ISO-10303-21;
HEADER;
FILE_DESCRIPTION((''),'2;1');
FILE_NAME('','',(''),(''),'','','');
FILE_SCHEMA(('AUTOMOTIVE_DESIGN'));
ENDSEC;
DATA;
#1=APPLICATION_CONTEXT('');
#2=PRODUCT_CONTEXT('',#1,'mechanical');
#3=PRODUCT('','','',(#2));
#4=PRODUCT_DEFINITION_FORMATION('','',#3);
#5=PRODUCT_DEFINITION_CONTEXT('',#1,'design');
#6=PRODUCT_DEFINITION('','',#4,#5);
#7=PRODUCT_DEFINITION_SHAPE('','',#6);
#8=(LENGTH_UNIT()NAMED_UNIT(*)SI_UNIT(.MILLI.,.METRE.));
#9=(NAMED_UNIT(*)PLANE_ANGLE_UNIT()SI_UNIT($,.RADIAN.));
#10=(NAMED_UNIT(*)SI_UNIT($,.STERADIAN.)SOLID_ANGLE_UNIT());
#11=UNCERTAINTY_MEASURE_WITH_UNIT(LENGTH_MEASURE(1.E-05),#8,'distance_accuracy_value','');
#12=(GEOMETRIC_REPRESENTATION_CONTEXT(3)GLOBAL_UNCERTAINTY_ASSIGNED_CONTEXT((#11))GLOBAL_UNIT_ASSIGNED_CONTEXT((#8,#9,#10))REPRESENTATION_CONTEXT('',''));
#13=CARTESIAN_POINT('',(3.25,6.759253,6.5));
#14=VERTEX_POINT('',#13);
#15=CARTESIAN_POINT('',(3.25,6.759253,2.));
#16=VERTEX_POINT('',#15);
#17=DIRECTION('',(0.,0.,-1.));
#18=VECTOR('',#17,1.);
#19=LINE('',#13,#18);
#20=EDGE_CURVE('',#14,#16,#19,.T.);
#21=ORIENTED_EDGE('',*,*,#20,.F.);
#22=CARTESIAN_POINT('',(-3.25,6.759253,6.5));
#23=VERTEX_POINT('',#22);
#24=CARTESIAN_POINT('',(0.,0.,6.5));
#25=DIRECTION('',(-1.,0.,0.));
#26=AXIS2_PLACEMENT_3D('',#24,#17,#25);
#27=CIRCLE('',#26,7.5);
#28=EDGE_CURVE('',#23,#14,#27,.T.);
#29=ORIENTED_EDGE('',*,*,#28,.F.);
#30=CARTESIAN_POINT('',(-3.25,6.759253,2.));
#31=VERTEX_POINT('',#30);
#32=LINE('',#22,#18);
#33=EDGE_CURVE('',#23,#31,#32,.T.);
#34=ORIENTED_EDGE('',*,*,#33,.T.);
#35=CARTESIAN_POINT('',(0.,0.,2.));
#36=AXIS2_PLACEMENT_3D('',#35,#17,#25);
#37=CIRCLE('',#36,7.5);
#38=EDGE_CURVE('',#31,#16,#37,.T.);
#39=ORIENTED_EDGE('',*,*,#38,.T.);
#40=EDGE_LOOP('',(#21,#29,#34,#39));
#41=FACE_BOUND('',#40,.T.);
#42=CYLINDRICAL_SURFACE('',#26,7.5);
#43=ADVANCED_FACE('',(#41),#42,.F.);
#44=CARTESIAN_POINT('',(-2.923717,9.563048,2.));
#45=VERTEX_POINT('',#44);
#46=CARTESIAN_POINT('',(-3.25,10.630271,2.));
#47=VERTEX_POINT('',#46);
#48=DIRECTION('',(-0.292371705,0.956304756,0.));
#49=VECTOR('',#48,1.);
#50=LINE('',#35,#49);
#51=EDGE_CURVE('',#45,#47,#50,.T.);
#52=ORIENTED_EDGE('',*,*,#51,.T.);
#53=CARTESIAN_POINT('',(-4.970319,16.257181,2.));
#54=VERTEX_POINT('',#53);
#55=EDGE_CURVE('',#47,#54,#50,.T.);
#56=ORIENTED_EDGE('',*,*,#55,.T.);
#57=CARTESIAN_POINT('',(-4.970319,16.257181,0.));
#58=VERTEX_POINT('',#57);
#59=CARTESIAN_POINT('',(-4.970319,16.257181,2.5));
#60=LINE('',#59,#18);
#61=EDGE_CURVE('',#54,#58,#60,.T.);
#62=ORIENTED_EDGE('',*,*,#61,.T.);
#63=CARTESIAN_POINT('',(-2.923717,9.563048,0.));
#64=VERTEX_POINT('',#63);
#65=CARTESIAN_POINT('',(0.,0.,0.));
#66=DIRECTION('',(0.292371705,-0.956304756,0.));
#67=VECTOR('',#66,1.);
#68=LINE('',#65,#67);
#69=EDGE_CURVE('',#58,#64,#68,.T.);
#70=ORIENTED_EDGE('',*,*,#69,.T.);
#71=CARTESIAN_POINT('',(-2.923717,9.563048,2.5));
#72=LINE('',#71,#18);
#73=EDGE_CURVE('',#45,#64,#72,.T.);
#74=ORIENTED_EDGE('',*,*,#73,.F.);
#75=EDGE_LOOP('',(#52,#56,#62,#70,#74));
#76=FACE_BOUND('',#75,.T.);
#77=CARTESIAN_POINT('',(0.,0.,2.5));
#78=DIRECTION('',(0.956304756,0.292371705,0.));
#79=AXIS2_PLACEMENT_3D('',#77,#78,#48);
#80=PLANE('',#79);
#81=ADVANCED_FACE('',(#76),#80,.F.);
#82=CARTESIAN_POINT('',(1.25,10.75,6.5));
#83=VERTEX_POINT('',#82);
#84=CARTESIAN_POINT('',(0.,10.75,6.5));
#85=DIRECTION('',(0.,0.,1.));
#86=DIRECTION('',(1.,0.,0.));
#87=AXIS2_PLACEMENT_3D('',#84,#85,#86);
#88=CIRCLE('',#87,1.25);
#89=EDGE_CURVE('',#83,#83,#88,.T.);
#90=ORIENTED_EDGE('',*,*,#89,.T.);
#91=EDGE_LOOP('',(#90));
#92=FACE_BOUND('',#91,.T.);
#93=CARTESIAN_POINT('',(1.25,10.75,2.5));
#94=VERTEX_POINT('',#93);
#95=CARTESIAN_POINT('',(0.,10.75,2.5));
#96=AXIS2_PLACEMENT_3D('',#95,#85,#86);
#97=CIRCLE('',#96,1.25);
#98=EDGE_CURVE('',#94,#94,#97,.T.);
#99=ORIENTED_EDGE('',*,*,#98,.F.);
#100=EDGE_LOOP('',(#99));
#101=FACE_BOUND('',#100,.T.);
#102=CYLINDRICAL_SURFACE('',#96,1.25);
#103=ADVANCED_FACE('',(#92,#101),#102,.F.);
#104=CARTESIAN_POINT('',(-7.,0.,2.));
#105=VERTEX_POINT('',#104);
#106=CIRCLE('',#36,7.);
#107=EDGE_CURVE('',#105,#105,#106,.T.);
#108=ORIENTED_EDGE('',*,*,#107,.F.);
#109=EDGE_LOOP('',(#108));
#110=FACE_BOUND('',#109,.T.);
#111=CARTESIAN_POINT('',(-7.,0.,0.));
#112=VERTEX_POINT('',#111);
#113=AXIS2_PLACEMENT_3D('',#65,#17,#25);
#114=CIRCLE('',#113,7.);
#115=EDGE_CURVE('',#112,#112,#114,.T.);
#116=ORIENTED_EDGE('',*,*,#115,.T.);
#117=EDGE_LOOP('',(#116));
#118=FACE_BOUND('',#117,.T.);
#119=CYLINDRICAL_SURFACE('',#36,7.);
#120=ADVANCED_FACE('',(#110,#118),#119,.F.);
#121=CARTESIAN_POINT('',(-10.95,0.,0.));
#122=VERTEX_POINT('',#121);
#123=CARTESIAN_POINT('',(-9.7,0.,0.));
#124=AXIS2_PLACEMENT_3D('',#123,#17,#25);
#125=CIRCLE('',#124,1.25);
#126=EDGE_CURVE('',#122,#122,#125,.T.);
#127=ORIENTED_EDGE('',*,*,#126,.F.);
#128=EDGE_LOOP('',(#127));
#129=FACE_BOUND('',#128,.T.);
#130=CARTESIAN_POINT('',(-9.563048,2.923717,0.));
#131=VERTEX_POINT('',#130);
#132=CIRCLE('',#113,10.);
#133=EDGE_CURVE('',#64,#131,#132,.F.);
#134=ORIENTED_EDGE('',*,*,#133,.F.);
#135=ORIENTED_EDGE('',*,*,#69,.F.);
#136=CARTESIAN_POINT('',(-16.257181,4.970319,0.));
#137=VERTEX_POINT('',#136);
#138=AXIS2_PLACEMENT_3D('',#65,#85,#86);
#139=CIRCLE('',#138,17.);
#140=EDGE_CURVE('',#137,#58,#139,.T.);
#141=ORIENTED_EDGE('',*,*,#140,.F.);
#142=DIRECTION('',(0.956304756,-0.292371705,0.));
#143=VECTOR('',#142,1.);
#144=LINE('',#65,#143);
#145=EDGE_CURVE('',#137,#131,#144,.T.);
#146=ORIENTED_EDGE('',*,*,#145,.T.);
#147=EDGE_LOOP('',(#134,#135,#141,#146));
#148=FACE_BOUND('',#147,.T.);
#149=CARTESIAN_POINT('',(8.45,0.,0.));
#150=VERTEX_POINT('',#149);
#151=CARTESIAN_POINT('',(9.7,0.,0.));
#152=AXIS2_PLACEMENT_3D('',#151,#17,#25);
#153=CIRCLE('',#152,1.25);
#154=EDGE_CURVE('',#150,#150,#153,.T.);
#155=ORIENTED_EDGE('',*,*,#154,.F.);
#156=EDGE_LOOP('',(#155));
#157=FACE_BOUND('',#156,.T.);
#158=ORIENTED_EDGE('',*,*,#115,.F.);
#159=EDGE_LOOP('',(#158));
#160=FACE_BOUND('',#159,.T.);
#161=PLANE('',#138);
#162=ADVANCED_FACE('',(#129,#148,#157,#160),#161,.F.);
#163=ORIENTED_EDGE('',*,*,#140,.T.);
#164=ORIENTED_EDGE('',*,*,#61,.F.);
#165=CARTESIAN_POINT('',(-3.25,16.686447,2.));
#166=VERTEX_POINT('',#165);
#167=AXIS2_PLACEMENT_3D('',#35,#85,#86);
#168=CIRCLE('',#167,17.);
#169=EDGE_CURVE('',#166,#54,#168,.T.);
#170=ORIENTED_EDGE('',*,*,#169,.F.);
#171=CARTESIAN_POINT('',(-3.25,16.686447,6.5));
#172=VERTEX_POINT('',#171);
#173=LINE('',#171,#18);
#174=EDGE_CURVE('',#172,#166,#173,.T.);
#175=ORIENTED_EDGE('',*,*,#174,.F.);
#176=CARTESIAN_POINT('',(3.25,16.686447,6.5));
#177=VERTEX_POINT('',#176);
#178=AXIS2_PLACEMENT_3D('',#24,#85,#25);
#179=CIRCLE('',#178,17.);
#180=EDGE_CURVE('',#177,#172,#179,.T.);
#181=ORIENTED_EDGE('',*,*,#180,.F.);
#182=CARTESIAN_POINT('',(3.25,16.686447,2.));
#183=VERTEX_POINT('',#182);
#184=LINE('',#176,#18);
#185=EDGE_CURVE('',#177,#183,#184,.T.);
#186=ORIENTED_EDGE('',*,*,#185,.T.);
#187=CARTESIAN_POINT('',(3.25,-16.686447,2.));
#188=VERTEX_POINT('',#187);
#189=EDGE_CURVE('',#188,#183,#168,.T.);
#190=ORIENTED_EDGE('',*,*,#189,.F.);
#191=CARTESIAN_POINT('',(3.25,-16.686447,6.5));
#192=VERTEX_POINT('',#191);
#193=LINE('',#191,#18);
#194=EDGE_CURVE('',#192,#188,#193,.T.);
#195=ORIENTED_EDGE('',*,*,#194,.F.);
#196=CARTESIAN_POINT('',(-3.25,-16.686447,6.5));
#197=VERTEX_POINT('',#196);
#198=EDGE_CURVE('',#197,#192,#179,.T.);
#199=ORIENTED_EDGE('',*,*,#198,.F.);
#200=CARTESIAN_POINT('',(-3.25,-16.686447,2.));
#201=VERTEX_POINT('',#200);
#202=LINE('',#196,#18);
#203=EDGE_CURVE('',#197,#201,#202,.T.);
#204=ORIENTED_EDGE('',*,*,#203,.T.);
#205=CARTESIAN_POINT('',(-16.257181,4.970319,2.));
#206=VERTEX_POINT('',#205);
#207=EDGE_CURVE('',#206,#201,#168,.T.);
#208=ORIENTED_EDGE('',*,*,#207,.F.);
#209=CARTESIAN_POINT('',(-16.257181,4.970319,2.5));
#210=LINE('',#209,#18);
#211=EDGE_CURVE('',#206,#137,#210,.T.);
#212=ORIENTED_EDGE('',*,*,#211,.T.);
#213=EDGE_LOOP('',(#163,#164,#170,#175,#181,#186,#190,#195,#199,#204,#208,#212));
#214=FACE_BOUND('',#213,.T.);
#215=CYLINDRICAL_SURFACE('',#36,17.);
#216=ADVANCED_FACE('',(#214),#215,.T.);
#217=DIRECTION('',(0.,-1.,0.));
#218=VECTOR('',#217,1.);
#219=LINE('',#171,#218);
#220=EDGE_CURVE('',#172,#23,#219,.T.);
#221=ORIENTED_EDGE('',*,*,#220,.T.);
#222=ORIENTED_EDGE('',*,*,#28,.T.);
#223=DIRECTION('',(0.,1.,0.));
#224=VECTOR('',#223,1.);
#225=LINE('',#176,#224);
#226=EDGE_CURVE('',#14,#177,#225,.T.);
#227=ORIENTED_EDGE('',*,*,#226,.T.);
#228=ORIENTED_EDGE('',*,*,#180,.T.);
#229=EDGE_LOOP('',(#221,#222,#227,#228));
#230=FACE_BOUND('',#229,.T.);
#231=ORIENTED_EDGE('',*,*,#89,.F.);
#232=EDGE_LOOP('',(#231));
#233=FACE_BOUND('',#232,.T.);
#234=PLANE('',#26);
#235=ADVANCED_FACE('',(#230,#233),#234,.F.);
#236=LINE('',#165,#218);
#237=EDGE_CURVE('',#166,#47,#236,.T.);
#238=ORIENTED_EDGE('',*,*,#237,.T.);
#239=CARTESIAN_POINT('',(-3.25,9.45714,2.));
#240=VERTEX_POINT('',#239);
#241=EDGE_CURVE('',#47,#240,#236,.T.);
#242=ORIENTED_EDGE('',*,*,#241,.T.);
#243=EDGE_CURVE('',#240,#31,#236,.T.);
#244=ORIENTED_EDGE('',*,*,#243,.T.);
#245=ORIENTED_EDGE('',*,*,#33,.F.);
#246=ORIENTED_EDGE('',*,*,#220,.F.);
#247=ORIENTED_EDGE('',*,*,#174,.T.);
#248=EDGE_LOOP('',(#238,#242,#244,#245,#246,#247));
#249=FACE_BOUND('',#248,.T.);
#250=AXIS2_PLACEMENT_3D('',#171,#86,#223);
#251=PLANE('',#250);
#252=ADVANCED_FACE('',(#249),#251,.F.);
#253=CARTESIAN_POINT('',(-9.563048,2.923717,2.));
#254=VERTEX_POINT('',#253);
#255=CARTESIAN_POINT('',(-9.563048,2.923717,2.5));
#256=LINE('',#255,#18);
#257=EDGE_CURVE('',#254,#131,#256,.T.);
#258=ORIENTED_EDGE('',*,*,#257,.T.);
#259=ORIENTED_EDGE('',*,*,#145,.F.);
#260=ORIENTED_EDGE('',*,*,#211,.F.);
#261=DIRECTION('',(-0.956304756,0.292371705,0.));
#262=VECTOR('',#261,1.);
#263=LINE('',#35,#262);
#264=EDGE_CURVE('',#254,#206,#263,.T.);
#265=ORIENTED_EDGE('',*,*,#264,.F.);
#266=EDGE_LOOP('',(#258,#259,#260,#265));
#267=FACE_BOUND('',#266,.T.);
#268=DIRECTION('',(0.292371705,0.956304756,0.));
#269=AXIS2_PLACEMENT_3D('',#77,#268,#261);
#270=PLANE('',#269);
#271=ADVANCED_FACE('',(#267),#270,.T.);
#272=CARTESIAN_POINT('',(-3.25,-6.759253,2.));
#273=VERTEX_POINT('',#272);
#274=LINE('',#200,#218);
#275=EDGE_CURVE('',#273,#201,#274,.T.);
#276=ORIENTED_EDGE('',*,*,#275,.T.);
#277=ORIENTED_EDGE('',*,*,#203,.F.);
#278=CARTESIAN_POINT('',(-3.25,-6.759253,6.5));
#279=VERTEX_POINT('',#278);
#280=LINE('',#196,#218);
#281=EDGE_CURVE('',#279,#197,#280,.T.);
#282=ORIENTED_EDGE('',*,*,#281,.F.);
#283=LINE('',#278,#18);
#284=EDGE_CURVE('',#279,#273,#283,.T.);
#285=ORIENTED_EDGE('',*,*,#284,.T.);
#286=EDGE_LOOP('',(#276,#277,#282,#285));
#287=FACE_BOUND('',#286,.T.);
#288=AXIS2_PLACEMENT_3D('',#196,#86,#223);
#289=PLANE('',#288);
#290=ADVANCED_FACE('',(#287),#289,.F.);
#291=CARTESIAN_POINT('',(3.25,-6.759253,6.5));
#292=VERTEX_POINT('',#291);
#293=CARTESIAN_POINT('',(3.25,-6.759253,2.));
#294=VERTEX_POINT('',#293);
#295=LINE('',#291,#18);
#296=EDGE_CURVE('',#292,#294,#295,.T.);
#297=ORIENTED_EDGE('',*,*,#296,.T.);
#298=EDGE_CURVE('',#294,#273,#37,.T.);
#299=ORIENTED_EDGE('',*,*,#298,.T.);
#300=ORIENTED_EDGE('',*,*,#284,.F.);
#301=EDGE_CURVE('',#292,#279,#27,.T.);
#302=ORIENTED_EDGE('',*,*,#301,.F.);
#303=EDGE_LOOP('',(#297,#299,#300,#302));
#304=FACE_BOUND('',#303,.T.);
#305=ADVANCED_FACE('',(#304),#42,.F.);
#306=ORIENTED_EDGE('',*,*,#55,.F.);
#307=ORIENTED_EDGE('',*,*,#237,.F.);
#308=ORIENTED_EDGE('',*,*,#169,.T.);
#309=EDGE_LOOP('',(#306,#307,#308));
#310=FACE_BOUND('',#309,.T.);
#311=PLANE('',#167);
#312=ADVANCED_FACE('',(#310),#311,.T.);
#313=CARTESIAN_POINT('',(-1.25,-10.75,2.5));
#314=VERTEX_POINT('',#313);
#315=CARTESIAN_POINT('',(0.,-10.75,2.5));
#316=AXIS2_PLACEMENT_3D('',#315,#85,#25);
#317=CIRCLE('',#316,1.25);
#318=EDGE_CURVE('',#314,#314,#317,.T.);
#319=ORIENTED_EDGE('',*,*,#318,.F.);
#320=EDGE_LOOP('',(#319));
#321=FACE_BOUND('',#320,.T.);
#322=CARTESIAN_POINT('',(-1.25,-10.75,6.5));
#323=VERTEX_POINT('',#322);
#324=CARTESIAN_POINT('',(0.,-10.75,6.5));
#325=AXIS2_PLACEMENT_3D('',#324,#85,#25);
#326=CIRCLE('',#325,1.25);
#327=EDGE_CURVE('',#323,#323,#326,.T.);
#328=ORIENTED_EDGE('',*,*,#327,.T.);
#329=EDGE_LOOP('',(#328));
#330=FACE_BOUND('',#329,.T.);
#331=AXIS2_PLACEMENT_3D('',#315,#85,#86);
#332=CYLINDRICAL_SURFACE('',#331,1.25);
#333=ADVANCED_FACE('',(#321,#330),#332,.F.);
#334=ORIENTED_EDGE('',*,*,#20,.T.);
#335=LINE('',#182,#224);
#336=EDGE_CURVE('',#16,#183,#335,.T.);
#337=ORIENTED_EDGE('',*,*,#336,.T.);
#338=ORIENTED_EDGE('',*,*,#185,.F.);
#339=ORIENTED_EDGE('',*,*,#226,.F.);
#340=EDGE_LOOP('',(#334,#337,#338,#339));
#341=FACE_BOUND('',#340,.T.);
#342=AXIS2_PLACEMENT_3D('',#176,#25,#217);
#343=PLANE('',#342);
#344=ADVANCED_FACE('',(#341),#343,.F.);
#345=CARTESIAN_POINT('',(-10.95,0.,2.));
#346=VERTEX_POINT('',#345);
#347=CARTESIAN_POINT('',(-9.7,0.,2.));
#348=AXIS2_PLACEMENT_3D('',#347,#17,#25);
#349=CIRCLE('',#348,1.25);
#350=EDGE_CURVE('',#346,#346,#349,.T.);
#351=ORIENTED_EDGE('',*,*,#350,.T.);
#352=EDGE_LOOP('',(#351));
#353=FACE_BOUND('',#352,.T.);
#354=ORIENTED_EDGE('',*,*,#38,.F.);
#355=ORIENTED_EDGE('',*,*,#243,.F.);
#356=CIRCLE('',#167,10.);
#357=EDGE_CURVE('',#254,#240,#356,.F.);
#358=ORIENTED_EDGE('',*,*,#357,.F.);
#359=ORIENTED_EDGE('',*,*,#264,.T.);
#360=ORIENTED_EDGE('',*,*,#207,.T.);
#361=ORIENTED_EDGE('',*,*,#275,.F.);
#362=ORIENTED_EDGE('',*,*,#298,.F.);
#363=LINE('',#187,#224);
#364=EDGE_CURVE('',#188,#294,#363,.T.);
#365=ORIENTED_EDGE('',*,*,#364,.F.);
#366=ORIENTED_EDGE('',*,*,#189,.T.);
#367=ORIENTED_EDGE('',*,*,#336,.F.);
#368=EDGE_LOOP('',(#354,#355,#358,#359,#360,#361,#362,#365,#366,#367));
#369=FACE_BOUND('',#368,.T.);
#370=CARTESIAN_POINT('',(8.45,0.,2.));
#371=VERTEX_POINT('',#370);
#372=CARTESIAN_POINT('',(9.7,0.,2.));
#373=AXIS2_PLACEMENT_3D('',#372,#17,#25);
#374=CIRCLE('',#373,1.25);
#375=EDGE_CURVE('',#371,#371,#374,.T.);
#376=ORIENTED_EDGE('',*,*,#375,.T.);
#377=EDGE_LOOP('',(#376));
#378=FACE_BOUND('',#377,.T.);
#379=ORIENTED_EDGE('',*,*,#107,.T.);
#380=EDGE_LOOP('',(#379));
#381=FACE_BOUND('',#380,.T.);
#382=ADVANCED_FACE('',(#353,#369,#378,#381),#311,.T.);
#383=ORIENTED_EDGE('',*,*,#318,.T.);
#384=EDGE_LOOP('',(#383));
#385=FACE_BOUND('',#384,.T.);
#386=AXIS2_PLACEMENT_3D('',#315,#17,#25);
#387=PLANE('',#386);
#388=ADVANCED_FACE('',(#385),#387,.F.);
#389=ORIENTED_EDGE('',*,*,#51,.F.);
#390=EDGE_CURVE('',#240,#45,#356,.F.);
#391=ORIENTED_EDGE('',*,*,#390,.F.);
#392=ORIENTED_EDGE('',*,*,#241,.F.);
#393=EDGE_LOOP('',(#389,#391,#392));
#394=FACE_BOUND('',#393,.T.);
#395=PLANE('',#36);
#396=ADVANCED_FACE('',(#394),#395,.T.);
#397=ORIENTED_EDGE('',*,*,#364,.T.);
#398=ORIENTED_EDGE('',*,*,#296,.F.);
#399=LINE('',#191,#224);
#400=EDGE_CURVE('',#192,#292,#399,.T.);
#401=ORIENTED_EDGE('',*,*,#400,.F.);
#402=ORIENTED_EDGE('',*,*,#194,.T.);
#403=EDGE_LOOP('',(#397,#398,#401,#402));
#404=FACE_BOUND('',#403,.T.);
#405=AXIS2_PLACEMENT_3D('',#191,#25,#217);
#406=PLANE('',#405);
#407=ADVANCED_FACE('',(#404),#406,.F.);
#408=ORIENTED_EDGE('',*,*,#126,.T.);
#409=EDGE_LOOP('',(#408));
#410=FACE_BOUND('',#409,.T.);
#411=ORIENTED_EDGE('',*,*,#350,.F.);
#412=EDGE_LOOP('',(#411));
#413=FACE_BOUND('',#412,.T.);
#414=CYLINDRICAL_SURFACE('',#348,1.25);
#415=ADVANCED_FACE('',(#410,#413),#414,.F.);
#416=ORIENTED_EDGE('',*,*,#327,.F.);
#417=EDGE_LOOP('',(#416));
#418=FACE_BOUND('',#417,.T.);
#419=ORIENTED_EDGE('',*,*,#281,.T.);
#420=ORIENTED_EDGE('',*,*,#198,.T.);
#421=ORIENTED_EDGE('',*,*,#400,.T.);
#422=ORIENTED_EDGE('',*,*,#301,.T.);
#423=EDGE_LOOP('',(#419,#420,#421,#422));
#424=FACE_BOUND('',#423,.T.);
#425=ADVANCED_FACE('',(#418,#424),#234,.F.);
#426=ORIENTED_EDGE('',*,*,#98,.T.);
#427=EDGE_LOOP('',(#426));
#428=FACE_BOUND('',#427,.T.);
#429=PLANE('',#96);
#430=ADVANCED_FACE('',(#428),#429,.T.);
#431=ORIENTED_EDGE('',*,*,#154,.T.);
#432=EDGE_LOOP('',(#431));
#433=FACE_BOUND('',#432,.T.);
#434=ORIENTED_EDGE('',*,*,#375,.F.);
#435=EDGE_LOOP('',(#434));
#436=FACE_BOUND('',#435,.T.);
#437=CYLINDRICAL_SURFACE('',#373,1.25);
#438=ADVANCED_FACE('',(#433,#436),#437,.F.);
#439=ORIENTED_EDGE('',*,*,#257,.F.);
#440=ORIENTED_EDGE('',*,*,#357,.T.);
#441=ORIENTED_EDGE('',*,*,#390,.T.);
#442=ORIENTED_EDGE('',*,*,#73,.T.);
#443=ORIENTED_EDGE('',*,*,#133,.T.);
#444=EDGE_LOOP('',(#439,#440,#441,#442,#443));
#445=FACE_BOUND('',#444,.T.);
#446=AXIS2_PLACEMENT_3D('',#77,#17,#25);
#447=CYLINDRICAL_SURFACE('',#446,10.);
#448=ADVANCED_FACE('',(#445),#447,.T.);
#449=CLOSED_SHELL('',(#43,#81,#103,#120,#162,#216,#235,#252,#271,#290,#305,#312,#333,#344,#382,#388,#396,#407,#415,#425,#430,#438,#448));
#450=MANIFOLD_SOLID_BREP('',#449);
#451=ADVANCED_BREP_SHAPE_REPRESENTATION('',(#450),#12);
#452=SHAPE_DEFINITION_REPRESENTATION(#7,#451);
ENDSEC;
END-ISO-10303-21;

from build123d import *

# Parameters (mm, degrees)
SKETCH_1_R          = 17
EXTRUDE_1_DEPTH     = 2
SKETCH_2_R          = 7
CUT_EXTRUDE_1_DEPTH = 2
CUT_EXTRUDE_3_DEPTH = 2.5
EXTRUDE_6_DEPTH     = 4.5
SKETCH_25_R         = 1.25
CUT_EXTRUDE_4_DEPTH = 4
SKETCH_27_R         = 1.25
CUT_EXTRUDE_5_DEPTH = 2


with BuildPart() as part:
    # 草图1 → 凸台-拉伸1 (new body)
    with BuildSketch(Plane.XY):
        Circle(SKETCH_1_R)
    extrude(amount=EXTRUDE_1_DEPTH)

    # 草图2 → 切除-拉伸1 (cut)
    with BuildSketch(Plane(origin=(0, 0, 0), x_dir=(-1, 0, 0), z_dir=(0, 0, -1))):
        Circle(SKETCH_2_R)
    extrude(amount=-CUT_EXTRUDE_1_DEPTH, mode=Mode.SUBTRACT)

    # 草图11 → 切除-拉伸3 (cut)
    with BuildSketch(Plane(origin=(0, 0, 0), x_dir=(-1, 0, 0), z_dir=(0, 0, -1))):
        with BuildLine():
            Line((4.97031898, 16.257180851), (2.923717047, 9.56304756))
            ThreePointArc((2.923717047, 9.56304756), (7.071067812, 7.071067812), (9.56304756, 2.923717047))
            Line((9.56304756, 2.923717047), (16.257180851, 4.97031898))
            ThreePointArc((16.257180851, 4.97031898), (12.02081528, 12.02081528), (4.97031898, 16.257180851))
        make_face()
    extrude(amount=-CUT_EXTRUDE_3_DEPTH, mode=Mode.SUBTRACT)

    # 草图24 → 凸台-拉伸6 (add)
    with BuildSketch(Plane.XY.offset(2)):
        with BuildLine():
            Line((3.25, 16.686446596), (3.25, 6.759252917))
            ThreePointArc((3.25, 6.759252917), (0, 7.5), (-3.25, 6.759252917))
            Line((-3.25, 6.759252917), (-3.25, 16.686446596))
            ThreePointArc((-3.25, 16.686446596), (0, 17), (3.25, 16.686446596))
        make_face()
        with BuildLine():
            Line((3.25, -16.686446596), (3.25, -6.759252917))
            ThreePointArc((3.25, -6.759252917), (0, -7.5), (-3.25, -6.759252917))
            Line((-3.25, -6.759252917), (-3.25, -16.686446596))
            ThreePointArc((-3.25, -16.686446596), (0, -17), (3.25, -16.686446596))
        make_face()
    extrude(amount=EXTRUDE_6_DEPTH)

    # 草图25 → 切除-拉伸4 (cut)
    with BuildSketch(Plane.XY.offset(6.5)):
        with Locations((0, 10.75)):
            Circle(SKETCH_25_R)
        with Locations(Location((0, -10.75, 0), (0, 0, 180))):
            Circle(SKETCH_25_R)
    extrude(amount=-CUT_EXTRUDE_4_DEPTH, mode=Mode.SUBTRACT)

    # 草图27 → 切除-拉伸5 (cut)
    with BuildSketch(Plane(origin=(0, 0, 0), x_dir=(-1, 0, 0), z_dir=(0, 0, -1))):
        with Locations((-9.7, 0)):
            Circle(SKETCH_27_R)
        with Locations((9.7, 0)):
            Circle(SKETCH_27_R)
    extrude(amount=-CUT_EXTRUDE_5_DEPTH, mode=Mode.SUBTRACT)


solid = part.part
